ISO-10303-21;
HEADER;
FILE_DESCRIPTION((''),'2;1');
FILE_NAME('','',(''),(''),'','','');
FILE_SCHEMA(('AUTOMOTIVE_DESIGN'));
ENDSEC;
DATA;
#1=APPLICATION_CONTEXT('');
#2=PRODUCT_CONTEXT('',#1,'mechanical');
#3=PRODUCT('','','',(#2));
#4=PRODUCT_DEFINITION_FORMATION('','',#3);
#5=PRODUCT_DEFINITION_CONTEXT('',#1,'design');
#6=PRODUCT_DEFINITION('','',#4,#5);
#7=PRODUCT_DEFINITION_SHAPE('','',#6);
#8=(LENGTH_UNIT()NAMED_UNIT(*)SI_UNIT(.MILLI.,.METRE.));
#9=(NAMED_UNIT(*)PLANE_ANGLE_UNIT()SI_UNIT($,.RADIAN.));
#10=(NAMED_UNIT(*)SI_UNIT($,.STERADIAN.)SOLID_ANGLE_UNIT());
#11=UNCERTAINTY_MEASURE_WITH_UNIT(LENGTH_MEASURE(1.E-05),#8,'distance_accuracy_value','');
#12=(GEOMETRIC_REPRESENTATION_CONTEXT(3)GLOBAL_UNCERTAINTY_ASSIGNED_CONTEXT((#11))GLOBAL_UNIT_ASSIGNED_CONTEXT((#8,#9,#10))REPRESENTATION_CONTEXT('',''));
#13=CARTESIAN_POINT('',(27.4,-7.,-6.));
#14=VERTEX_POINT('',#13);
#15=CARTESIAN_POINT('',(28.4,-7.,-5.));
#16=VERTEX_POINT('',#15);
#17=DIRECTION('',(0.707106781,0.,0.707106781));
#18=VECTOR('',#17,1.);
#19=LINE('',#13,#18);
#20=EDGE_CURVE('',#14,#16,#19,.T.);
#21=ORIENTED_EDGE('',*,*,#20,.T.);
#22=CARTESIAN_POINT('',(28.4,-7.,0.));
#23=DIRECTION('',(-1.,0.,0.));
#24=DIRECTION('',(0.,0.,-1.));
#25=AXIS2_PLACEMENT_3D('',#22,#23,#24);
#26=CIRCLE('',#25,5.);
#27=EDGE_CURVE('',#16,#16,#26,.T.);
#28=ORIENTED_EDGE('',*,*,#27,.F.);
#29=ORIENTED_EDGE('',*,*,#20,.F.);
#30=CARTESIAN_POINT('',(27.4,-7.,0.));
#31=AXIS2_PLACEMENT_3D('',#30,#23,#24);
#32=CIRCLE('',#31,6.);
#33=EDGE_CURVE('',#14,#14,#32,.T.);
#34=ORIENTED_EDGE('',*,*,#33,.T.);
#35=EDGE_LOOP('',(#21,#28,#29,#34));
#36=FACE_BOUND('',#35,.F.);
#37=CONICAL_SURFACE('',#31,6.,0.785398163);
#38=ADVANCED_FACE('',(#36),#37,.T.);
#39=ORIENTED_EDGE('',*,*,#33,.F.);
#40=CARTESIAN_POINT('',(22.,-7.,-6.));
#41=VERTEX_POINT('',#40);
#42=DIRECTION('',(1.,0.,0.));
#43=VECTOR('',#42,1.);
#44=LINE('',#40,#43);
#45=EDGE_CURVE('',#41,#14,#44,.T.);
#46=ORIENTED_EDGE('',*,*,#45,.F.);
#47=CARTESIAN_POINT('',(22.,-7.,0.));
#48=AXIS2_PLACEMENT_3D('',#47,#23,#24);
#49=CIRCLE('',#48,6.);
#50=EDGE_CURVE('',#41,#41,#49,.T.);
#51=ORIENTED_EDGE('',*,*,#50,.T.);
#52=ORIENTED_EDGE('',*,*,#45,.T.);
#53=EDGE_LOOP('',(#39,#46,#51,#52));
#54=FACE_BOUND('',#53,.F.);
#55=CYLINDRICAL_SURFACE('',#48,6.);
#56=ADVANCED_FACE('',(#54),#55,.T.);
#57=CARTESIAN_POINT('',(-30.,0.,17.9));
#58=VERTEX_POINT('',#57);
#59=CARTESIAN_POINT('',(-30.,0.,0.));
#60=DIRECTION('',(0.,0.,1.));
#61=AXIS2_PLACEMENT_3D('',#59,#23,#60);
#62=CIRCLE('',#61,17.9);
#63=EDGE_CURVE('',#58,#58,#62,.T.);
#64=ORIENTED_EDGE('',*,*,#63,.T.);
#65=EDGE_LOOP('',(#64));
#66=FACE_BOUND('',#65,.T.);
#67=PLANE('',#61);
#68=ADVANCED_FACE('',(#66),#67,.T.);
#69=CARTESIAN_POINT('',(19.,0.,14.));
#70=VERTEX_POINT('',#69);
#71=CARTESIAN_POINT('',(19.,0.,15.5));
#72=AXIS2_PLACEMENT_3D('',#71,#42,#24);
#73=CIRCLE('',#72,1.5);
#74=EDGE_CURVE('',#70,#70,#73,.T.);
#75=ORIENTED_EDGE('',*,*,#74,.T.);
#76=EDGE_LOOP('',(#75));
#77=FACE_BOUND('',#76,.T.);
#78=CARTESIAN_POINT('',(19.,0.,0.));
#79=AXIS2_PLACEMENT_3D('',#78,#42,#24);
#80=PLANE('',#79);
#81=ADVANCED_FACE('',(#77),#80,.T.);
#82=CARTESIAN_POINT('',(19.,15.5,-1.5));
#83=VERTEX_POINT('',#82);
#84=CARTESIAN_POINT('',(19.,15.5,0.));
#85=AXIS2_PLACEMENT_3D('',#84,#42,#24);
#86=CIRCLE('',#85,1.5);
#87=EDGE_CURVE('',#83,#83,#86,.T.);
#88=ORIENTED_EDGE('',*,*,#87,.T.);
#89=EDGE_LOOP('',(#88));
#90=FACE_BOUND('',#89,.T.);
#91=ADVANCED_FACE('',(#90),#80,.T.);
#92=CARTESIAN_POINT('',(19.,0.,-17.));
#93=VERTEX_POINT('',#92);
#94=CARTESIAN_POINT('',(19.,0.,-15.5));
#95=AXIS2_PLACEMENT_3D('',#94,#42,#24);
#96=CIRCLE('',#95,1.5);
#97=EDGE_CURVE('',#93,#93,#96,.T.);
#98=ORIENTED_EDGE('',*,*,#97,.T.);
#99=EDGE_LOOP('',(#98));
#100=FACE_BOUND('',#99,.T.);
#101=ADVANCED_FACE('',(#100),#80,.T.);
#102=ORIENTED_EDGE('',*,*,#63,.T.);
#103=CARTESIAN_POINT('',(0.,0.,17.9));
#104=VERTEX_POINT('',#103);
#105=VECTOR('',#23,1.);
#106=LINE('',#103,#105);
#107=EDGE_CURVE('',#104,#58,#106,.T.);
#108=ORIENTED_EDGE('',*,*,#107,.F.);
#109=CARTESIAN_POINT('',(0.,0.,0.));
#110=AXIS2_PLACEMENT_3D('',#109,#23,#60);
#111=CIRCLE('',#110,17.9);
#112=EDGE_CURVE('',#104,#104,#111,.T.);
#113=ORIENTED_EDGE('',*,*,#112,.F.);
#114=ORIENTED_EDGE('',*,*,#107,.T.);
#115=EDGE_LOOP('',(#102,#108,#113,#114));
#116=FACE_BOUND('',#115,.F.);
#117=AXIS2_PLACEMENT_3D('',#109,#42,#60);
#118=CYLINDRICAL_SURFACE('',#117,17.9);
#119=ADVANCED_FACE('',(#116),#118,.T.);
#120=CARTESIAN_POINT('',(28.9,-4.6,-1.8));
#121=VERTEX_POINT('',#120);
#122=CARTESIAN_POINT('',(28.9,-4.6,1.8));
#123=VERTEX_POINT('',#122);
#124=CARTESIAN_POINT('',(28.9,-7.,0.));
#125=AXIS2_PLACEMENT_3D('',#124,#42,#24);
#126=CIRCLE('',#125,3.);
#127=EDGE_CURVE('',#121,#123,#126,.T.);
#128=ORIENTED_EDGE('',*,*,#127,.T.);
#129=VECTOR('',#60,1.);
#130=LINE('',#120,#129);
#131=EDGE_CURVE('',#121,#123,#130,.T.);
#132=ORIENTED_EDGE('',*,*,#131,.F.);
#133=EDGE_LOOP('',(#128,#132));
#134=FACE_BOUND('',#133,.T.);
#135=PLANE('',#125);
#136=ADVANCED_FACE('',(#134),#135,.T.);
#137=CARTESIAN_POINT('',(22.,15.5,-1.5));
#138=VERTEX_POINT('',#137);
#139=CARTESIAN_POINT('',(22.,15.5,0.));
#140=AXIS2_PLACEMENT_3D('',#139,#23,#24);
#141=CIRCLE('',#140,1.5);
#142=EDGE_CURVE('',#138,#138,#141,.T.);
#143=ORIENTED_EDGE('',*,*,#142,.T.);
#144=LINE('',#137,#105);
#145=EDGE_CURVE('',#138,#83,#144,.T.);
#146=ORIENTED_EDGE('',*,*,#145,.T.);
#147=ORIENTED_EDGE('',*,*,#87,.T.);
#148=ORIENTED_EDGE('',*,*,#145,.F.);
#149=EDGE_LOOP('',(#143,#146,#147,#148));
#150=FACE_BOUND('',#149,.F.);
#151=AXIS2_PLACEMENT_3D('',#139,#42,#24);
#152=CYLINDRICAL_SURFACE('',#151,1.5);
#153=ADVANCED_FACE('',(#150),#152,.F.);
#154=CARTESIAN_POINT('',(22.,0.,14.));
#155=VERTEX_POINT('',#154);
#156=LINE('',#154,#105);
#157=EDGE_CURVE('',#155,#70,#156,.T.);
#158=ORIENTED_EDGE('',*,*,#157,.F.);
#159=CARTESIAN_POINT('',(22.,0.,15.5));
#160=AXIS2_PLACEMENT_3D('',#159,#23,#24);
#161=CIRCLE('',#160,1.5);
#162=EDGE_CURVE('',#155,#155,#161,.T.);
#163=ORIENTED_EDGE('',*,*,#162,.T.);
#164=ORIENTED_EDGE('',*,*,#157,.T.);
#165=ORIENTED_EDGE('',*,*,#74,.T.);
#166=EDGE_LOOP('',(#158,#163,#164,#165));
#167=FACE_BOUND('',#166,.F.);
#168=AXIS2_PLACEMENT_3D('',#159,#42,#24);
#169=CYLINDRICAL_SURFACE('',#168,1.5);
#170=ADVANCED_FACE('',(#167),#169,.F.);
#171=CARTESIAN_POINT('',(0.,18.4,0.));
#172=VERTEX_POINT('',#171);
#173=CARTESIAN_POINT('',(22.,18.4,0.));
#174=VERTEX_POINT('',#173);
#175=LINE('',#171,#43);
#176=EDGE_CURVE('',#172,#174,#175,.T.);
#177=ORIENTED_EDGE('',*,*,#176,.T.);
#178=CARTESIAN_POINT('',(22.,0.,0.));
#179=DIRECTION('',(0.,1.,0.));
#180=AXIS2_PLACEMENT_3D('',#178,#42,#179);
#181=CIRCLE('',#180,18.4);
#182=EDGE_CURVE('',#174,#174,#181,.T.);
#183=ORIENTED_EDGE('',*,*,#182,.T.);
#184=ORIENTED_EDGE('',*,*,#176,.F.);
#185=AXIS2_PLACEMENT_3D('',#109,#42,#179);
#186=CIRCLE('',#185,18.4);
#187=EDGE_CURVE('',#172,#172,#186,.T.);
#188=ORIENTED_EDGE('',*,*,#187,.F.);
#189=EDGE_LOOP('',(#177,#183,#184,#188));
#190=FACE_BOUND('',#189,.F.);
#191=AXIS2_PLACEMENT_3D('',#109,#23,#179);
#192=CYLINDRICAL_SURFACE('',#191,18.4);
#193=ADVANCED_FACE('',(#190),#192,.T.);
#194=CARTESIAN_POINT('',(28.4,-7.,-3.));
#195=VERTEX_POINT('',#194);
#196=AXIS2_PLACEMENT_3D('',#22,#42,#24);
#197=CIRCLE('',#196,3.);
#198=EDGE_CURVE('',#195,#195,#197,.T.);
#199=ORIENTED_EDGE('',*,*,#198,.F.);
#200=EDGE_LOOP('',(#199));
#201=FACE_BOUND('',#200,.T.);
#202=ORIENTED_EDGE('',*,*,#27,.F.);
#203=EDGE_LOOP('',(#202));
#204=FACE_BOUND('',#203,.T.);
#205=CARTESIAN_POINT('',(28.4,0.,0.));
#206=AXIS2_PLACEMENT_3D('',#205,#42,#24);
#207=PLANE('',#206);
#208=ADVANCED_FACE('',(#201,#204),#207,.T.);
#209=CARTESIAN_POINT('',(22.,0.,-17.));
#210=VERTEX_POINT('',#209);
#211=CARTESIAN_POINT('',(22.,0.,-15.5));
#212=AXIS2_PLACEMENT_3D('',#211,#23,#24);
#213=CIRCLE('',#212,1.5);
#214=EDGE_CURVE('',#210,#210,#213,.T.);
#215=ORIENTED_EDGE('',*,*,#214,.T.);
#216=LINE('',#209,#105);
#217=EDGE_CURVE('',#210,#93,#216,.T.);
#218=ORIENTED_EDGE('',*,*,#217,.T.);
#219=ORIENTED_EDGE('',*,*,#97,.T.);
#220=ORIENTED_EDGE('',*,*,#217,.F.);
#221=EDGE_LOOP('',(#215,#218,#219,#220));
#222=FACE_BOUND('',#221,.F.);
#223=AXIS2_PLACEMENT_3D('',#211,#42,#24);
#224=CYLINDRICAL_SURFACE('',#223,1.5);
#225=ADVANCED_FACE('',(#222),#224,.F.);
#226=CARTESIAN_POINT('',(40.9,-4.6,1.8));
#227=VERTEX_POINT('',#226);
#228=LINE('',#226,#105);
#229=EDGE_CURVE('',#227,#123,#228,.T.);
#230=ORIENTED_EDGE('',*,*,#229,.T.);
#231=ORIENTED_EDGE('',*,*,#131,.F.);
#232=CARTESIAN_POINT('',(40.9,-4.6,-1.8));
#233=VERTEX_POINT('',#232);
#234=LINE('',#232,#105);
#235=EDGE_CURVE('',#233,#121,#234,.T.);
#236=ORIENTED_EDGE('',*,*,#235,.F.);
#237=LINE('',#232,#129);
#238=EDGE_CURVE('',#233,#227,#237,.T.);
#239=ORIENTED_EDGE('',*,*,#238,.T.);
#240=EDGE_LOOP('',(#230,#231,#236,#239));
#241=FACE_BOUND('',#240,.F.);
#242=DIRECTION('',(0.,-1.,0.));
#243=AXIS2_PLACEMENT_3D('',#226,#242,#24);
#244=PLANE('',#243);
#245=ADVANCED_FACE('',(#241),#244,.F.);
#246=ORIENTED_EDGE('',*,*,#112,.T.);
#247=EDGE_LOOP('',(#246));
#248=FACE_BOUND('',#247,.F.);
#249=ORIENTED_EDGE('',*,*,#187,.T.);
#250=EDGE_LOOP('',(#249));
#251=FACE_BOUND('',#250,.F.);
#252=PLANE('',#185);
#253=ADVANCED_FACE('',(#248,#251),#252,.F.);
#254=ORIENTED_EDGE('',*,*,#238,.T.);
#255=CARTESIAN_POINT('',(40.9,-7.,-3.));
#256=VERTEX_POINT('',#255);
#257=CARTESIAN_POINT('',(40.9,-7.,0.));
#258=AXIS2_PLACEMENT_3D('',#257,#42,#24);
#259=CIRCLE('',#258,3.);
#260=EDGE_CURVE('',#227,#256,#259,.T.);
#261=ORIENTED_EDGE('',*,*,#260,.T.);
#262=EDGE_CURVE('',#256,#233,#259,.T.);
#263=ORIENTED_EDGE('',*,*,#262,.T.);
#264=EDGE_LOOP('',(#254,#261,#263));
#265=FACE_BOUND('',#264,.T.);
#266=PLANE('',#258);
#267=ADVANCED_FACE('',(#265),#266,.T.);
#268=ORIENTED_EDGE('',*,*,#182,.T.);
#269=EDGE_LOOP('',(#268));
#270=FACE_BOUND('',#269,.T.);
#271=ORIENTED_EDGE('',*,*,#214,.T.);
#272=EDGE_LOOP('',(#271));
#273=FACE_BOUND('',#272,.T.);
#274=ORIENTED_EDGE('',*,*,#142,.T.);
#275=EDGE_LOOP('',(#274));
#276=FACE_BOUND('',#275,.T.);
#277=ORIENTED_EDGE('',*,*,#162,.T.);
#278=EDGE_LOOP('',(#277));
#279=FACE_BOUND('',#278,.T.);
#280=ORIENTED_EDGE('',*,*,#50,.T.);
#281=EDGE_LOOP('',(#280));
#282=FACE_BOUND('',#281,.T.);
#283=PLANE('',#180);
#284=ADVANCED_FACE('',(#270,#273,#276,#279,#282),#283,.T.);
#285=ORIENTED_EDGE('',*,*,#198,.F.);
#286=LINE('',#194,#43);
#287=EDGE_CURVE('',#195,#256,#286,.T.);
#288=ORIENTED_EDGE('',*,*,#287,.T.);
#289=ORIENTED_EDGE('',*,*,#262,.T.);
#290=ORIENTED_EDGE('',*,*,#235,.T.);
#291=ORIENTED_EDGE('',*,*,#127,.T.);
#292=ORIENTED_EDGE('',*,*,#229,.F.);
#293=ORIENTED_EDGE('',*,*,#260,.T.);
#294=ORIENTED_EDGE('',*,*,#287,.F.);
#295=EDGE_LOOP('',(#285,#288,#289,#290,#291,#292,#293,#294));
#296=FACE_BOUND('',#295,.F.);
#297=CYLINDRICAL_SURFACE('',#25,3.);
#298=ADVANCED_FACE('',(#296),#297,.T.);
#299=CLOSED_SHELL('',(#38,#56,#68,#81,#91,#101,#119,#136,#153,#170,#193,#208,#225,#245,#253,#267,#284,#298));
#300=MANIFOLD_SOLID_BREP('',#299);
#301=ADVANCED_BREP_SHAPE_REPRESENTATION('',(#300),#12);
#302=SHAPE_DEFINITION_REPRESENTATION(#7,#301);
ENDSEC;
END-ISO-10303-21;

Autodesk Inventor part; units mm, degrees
ref_plane "YZ Plane" through (0, 0, 0) normal (1, 0, 0) x (0, 1, 0)
ref_plane "XZ Plane" through (0, 0, 0) normal (0, 1, 0) x (-1, 0, 0)
ref_plane "XY Plane" through (0, 0, 0) normal (0, 0, 1) x (1, 0, 0)
sketch "Sketch1" plane through (0, 0, 0) normal (1, 0, 0) x (0, 1, 0)
  point P0 (0, 0)
sketch "Sketch2" plane through (0, 0, 0) normal (1, 0, 0) x (0, 1, 0)
  circle A0 centre (0, 0) radius 18.4
  dimension "d0" = 36.8
extrude "Extrusion1" add sketch "Sketch2" along normal blind 22
sketch "Sketch3" plane through (22, 0, 0) normal (1, 0, 0) x (0, 0, -1)
  line L0 (0, 0) -> (0, -7)
  circle A0 centre (0, -7) radius 6
  dimension "d3" = 7
  dimension "d4" = 12
extrude "Extrusion2" add sketch "Sketch3" along normal blind 6.4
chamfer "Chamfer1" distance 1 angle 45 1 edges at (28.4, -7, 6)
sketch "Sketch4" plane through (28.4, -7, 0) normal (1, 0, 0) x (0, 0, -1)
  circle A0 centre (0, 0) radius 5 projected
  circle A1 centre (0, 0) radius 3
  point P0 (0, 7)
  dimension "d10" = 6
extrude "Extrusion3" add sketch "Sketch4" along normal blind 12.5 contours A1
sketch "Sketch5" plane through (40.9, -7, 0) normal (1, 0, 0) x (0, 0, -1)
  circle A0 centre (0, 0) radius 3 projected
  line L0 (0, -3) -> (0, 2.4)
  line L1 (0, 2.4) -> (1.8, 2.4)
  line L2 (-1.8, 2.4) -> (0, 2.4)
  point P0 (0, 7)
  dimension "d13" = 5.4
extrude "Extrusion4" cut sketch "Sketch5" against normal blind 12 contours L1 L2 A0
sketch "Sketch6" plane through (0, 0, 0) normal (-1, 0, 0) x (0, 0, 1)
  circle A0 centre (0, 0) radius 17.9
  dimension "d16" = 35.8
extrude "Extrusion5" add sketch "Sketch6" along normal blind 30
sketch "Sketch9" plane through (22, 0, 0) normal (1, 0, 0) x (0, 0, -1)
  circle A0 centre (0, 0) radius 15.5
  circle A1 centre (0, 15.5) radius 1.5
  circle A2 centre (15.5, 0) radius 1.5
  circle A3 centre (-15.5, 0) radius 1.5
  dimension "d19" = 31
  dimension "d20" = 3
  dimension "d21" = 3
  dimension "d22" = 3
extrude "Extrusion6" cut sketch "Sketch9" against normal blind 3 contours A0 A2 | A0 A2 | A1 A0 | A0 A1 | A3 A0 | A0 A3
properties part number "motor"
